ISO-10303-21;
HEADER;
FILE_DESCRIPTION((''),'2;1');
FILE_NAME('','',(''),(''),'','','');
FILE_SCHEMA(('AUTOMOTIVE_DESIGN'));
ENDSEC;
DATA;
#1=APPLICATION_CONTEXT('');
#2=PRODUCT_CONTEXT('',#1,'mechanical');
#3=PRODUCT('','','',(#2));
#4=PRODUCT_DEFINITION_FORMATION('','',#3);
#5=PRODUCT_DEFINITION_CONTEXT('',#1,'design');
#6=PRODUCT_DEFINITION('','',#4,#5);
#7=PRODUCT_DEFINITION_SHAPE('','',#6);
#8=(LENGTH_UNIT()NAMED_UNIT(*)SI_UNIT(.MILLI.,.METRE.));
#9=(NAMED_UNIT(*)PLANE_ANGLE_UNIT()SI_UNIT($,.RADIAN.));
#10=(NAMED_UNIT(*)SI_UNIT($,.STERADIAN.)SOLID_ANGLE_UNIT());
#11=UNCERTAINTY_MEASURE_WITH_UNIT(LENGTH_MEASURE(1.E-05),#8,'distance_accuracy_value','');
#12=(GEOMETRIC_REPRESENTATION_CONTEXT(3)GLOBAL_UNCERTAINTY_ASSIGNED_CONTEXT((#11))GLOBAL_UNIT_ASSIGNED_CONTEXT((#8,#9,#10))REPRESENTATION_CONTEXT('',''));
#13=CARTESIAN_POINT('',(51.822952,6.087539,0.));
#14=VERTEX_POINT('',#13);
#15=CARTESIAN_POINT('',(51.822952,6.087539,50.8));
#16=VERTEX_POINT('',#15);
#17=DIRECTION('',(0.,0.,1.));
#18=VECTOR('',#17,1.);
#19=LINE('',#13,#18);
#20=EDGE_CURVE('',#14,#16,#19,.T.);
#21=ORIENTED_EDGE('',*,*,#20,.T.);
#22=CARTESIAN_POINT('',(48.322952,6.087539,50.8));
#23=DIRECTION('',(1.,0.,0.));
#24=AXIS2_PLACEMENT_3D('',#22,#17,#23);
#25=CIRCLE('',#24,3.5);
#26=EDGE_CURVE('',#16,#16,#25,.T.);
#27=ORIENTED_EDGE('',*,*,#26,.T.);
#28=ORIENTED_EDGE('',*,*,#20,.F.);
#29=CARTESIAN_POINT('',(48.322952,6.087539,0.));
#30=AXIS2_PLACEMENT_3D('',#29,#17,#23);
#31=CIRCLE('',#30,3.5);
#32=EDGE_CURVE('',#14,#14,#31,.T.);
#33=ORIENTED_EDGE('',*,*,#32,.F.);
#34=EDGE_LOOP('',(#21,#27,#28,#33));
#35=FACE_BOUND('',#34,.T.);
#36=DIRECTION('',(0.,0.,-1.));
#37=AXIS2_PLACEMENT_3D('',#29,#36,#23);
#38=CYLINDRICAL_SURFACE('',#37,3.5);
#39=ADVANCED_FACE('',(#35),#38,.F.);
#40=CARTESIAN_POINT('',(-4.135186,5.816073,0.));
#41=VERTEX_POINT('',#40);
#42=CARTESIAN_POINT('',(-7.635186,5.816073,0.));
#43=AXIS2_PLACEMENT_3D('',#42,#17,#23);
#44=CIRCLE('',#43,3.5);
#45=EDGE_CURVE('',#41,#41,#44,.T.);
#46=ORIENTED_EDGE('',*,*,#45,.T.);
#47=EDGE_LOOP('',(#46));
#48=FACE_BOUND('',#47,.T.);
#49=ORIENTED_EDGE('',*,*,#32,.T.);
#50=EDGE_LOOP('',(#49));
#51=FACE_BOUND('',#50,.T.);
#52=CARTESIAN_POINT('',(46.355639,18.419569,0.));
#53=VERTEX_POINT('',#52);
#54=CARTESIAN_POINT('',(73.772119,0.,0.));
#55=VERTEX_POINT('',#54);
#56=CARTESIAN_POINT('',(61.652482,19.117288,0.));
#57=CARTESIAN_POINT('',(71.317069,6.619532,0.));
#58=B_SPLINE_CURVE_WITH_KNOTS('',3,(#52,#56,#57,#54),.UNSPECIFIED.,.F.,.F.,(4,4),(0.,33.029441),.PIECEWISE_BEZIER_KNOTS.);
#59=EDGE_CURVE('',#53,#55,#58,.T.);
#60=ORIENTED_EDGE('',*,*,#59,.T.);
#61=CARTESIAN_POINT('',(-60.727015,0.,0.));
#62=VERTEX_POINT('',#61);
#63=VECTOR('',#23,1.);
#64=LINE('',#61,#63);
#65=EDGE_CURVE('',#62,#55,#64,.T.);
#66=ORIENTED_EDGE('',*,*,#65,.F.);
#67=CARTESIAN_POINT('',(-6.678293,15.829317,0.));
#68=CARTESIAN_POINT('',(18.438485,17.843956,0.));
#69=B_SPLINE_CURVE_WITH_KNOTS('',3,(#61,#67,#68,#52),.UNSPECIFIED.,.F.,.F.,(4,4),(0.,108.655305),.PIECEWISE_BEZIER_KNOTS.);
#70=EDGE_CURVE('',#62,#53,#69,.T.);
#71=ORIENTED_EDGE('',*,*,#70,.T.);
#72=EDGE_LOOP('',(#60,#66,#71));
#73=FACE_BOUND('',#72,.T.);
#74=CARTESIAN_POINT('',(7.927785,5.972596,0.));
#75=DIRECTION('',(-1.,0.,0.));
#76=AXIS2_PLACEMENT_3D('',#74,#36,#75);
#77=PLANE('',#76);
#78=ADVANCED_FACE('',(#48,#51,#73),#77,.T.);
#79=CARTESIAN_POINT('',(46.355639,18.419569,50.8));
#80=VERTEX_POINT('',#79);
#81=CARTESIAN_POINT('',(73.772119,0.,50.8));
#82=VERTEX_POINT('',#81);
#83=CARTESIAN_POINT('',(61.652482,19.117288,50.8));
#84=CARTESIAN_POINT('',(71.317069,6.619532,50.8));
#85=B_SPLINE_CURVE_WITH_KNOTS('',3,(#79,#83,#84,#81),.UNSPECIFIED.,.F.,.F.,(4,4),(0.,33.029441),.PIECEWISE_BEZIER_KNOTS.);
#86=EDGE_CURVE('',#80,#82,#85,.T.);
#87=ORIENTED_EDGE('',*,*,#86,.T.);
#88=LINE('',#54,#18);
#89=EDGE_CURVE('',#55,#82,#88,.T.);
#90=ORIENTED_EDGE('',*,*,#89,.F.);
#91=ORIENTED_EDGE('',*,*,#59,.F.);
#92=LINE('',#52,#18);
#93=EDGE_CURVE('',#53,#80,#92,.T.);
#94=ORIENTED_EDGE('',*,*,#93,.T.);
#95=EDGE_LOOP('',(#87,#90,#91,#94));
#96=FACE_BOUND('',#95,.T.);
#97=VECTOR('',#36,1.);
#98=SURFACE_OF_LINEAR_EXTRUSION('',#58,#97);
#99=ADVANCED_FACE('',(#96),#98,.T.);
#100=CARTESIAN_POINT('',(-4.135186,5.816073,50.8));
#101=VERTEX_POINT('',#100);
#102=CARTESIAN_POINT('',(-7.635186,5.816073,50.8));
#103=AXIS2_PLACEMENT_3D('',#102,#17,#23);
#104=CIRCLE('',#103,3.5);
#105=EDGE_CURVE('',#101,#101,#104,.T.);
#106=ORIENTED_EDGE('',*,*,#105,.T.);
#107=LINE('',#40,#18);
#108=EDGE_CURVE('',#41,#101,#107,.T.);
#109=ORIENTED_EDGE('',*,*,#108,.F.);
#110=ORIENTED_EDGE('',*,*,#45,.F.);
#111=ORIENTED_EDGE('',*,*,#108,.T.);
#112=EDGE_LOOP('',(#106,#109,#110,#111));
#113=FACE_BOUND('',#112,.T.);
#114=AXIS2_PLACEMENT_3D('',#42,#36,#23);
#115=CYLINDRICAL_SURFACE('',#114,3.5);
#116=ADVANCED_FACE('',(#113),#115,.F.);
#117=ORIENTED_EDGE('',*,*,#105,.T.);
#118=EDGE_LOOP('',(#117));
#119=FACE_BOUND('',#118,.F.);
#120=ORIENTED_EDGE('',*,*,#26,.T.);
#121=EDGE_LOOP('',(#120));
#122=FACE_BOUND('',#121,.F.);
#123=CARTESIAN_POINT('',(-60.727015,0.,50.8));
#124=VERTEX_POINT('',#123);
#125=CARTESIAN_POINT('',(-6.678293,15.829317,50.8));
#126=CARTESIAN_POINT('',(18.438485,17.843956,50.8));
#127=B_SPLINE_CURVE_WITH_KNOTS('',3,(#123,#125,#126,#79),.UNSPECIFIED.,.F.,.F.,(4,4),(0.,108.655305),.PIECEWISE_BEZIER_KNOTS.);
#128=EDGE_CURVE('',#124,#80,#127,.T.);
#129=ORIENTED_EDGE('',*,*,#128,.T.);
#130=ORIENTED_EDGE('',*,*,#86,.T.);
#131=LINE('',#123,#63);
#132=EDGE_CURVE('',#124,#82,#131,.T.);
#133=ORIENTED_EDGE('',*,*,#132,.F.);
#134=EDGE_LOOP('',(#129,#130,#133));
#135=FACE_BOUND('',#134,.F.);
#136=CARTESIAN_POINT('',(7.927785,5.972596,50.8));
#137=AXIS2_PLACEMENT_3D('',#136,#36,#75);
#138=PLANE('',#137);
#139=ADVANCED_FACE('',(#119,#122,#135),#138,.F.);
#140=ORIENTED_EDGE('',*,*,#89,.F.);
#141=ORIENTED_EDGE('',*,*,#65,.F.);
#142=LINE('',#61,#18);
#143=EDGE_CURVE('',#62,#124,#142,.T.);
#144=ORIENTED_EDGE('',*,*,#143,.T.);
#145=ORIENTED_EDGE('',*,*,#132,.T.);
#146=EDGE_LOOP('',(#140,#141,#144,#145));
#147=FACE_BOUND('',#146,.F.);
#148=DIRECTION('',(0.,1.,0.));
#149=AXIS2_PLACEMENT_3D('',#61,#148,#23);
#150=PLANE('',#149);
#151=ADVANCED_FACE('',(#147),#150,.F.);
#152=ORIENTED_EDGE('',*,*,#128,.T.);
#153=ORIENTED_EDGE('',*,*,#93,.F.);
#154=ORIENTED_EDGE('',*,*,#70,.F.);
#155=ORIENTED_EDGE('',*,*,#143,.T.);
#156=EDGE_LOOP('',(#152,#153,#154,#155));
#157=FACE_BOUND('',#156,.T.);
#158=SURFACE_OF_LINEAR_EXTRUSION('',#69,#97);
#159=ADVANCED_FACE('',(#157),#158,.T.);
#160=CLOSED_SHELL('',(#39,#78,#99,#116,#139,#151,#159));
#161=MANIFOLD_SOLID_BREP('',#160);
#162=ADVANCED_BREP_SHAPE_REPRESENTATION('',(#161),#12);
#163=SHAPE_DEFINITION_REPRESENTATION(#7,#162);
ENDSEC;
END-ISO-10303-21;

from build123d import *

# Parameters (mm, degrees)
F0_R     = 3.5
F1_DEPTH = 50.8


with BuildPart() as f1:
    # F0 (on Top) → F1 (new body)
    with BuildSketch(Plane.XY):
        with BuildLine():
            add(Edge.make_bspline(
                [(-60.727015, 0), (-6.678293, 15.829317), (18.438485, 17.843956), (46.355639, 18.419569)],
                knots=[0, 0, 0, 0, 108.655305, 108.655305, 108.655305, 108.655305], degree=3))
            Line((-60.727015, 0), (73.772119, 0))
            add(Edge.make_bspline(
                [(46.355639, 18.419569), (61.652482, 19.117288), (71.317069, 6.619532), (73.772119, 0)],
                knots=[0, 0, 0, 0, 33.029441, 33.029441, 33.029441, 33.029441], degree=3))
        make_face()
        with Locations((-7.635186, 5.816073)):
            Circle(F0_R, mode=Mode.SUBTRACT)
        with Locations((48.322952, 6.087539)):
            Circle(F0_R, mode=Mode.SUBTRACT)
    extrude(amount=F1_DEPTH)


solid = f1.part
